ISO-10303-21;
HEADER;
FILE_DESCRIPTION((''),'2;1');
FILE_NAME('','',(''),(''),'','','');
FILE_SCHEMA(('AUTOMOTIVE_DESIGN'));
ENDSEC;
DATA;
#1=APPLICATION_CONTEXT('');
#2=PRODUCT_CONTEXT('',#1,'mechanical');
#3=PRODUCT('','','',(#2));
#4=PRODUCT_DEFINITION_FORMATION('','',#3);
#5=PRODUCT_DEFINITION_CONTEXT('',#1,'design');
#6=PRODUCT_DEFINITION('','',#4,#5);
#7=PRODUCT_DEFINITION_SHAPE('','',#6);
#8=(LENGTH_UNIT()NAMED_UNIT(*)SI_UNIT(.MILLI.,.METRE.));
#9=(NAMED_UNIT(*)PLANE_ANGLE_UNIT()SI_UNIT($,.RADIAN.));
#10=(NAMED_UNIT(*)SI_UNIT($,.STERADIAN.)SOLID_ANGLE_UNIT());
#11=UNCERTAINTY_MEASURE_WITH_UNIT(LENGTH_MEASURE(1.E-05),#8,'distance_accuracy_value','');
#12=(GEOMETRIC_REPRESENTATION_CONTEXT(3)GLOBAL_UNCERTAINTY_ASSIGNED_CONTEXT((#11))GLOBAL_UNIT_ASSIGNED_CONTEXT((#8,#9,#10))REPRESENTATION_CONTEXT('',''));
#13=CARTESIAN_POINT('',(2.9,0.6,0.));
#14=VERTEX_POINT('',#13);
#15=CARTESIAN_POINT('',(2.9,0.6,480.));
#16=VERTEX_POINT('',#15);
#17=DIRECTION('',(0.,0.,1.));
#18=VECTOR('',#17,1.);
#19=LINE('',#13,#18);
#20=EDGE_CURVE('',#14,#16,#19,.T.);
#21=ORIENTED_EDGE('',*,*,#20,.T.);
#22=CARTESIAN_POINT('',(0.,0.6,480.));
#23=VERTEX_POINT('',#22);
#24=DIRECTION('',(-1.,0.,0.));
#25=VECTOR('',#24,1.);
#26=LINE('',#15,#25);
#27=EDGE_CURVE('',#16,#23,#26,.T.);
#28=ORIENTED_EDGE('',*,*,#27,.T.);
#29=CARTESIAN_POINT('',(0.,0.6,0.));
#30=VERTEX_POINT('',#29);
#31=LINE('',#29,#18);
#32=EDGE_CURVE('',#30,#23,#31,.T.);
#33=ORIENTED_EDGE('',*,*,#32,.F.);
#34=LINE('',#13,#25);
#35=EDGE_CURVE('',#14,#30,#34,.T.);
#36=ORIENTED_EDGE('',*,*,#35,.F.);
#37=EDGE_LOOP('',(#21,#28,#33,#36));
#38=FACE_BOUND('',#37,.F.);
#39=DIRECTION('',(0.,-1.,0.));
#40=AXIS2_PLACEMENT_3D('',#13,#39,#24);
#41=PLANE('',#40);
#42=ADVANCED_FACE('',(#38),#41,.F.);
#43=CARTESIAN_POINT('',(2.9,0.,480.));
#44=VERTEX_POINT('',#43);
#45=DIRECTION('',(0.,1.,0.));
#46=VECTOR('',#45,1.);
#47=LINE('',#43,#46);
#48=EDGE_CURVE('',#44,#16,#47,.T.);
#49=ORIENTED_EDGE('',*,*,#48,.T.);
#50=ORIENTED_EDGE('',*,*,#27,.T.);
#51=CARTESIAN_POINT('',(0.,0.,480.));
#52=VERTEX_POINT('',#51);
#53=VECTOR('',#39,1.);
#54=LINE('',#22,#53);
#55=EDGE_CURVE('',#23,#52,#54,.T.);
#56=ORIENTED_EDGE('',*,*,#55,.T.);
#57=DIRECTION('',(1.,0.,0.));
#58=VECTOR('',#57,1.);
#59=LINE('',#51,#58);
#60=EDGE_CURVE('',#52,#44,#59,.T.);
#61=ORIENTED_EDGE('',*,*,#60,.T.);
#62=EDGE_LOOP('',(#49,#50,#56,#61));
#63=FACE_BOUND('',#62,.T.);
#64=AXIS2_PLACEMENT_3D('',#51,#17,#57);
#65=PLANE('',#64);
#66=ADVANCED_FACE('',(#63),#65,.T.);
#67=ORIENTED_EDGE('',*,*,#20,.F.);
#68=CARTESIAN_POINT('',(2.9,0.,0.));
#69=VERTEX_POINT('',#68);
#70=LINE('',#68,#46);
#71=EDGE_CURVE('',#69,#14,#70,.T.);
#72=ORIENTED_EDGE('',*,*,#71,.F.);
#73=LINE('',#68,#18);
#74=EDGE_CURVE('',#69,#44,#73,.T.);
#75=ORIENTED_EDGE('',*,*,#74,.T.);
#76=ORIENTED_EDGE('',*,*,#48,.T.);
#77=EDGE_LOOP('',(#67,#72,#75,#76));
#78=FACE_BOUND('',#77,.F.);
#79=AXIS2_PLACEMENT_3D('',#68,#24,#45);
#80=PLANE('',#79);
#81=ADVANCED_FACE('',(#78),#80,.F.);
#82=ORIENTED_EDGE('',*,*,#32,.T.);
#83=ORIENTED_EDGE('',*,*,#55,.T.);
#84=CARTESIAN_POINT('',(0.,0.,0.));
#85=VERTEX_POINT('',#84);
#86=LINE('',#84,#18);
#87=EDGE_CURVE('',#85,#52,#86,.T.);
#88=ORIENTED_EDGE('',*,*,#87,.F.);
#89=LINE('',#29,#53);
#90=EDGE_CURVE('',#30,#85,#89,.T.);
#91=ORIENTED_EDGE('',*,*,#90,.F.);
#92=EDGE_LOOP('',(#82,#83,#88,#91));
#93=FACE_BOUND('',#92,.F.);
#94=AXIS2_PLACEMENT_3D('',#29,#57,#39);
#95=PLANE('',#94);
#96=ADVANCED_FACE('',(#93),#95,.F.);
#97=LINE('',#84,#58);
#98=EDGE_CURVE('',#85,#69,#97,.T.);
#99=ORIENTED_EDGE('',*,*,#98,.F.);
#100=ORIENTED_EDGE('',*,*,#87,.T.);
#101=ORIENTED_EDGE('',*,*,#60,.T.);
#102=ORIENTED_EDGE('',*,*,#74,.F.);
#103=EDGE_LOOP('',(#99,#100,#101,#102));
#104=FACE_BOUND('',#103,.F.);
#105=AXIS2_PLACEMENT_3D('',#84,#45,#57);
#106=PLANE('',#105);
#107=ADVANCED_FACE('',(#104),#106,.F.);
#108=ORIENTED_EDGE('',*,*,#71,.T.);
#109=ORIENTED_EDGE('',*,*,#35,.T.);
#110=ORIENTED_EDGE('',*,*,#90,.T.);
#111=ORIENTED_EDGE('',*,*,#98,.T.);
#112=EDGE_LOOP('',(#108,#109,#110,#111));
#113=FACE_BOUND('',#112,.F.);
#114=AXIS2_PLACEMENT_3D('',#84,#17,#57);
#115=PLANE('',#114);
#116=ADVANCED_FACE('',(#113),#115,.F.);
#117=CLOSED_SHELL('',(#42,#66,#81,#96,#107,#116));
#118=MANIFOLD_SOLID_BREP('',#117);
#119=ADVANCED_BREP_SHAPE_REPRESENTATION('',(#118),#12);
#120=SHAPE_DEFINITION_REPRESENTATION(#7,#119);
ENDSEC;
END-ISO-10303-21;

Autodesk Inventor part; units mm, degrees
ref_plane "YZ Plane" through (0, 0, 0) normal (1, 0, 0) x (0, 1, 0)
ref_plane "XZ Plane" through (0, 0, 0) normal (0, 1, 0) x (-1, 0, 0)
sketch "Sketch1" plane through (0, 0, 0) normal (0, 0, 1) x (1, 0, 0)
  line L0 (0, 0) -> (2.9, 0)
  line L1 (2.9, 0) -> (2.9, 0.6)
  line L2 (2.9, 0.6) -> (0, 0.6)
  line L3 (0, 0.6) -> (0, 0)
  dimension "d0" = 0.6
  dimension "d1" = 2.9
extrude "Extrusion1" add sketch "Sketch1" along normal blind 480
ref_plane "Work Plane1" through (0, 0, 240) normal (0, 0, 1) x (1, 0, 0)
properties part number "carbon_spar" material "CFRP"
